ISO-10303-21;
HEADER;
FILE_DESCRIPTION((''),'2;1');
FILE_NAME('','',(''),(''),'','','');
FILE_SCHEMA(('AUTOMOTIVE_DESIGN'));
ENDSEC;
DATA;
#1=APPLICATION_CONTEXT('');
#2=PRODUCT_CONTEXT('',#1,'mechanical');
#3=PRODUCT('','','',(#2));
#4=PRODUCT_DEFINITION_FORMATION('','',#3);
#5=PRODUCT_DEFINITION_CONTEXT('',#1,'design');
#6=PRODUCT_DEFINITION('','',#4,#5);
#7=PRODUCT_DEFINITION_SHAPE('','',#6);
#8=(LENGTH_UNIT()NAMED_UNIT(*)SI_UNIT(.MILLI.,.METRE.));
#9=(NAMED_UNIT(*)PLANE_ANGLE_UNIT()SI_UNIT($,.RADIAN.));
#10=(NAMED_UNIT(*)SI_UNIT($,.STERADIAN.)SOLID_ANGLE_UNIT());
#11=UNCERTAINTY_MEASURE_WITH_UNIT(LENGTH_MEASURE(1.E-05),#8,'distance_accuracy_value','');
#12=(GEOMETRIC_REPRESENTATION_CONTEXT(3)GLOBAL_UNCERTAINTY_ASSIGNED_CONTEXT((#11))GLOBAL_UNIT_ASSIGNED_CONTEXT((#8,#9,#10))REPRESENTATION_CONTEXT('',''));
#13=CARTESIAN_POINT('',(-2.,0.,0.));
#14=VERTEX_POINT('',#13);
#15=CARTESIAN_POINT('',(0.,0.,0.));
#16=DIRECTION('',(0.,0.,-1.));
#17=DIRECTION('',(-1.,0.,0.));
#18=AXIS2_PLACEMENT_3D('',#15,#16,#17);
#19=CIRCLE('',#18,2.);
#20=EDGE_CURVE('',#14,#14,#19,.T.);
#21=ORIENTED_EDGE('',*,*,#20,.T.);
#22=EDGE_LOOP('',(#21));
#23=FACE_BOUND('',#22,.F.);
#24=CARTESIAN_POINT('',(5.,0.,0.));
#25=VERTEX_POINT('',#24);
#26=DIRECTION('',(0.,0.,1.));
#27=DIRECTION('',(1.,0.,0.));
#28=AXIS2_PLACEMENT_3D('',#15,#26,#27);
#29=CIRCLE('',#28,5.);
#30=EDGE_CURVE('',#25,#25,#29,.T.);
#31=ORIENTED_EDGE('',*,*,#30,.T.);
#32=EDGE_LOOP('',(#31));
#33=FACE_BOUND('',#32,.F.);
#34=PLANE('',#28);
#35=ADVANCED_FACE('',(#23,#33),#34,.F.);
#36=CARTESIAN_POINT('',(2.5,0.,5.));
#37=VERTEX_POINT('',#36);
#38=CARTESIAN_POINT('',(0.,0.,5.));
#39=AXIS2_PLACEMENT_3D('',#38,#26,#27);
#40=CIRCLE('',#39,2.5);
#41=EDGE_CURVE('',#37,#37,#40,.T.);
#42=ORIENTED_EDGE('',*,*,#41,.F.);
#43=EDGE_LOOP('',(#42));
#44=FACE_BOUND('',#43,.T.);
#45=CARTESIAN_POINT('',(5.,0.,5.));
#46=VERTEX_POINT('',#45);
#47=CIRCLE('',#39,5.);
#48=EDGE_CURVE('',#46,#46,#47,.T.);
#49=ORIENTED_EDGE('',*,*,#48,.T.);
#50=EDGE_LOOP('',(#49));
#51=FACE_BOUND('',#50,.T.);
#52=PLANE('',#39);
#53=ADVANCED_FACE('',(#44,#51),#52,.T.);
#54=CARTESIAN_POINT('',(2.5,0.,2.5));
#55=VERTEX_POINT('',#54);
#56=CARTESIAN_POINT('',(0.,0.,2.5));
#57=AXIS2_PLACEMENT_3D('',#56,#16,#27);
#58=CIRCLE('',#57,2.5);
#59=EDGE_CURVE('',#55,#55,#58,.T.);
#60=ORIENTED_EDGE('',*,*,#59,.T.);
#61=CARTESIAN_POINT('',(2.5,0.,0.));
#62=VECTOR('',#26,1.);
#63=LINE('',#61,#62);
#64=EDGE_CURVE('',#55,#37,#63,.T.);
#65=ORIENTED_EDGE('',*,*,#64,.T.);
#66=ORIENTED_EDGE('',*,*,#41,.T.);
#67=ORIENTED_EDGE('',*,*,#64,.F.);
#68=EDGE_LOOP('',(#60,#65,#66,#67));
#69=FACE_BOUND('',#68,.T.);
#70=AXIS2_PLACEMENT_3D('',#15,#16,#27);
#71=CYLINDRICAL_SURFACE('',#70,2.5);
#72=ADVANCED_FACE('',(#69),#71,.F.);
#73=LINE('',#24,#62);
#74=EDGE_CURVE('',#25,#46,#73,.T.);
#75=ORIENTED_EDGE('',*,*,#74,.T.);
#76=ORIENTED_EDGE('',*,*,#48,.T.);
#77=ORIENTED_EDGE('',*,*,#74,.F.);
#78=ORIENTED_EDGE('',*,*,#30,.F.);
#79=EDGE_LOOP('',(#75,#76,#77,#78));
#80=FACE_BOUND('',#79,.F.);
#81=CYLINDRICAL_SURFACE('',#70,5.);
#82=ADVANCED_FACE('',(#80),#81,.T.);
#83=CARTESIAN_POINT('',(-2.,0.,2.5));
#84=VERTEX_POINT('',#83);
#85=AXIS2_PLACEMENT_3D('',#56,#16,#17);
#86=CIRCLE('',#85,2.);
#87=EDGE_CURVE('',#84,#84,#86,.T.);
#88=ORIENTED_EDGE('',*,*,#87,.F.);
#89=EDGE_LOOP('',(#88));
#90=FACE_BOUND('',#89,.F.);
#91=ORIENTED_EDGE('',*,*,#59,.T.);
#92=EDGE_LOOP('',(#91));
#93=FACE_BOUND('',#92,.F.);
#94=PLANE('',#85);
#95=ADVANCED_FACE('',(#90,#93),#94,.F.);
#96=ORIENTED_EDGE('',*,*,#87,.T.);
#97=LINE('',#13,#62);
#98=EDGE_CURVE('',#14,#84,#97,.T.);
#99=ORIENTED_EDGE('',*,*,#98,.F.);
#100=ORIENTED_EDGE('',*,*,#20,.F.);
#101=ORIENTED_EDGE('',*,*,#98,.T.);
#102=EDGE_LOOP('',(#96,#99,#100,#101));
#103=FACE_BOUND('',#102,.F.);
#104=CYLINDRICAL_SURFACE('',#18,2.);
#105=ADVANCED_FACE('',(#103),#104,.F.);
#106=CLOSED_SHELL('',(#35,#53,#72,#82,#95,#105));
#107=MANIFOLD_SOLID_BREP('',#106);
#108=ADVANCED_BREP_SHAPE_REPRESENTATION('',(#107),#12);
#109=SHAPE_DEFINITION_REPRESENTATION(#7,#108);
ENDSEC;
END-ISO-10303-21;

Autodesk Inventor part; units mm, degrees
ref_plane "YZ Plane" through (0, 0, 0) normal (1, 0, 0) x (0, 1, 0)
ref_plane "XZ Plane" through (0, 0, 0) normal (0, 1, 0) x (-1, 0, 0)
ref_plane "XY Plane" through (0, 0, 0) normal (0, 0, 1) x (1, 0, 0)
sketch "Sketch1" plane through (0, 0, 0) normal (0, 0, 1) x (1, 0, 0)
  circle A0 centre (0, 0) radius 5
  circle A1 centre (0, 0) radius 2.5
  dimension "d0" = 10
  dimension "d1" = 5
extrude "Extrusion1" add sketch "Sketch1" along normal blind 5
sketch "Sketch2" plane through (0, 0, 0) normal (0, 0, -1) x (-1, 0, 0)
  circle A0 centre (0, 0) radius 5 projected
  circle A1 centre (0, 0) radius 2.5 projected
  circle A2 centre (0, 0) radius 2
  dimension "d4" = 0.5
extrude "Extrusion2" add sketch "Sketch2" against normal blind 2.5 contours A1
properties part number "Idler Gear"
